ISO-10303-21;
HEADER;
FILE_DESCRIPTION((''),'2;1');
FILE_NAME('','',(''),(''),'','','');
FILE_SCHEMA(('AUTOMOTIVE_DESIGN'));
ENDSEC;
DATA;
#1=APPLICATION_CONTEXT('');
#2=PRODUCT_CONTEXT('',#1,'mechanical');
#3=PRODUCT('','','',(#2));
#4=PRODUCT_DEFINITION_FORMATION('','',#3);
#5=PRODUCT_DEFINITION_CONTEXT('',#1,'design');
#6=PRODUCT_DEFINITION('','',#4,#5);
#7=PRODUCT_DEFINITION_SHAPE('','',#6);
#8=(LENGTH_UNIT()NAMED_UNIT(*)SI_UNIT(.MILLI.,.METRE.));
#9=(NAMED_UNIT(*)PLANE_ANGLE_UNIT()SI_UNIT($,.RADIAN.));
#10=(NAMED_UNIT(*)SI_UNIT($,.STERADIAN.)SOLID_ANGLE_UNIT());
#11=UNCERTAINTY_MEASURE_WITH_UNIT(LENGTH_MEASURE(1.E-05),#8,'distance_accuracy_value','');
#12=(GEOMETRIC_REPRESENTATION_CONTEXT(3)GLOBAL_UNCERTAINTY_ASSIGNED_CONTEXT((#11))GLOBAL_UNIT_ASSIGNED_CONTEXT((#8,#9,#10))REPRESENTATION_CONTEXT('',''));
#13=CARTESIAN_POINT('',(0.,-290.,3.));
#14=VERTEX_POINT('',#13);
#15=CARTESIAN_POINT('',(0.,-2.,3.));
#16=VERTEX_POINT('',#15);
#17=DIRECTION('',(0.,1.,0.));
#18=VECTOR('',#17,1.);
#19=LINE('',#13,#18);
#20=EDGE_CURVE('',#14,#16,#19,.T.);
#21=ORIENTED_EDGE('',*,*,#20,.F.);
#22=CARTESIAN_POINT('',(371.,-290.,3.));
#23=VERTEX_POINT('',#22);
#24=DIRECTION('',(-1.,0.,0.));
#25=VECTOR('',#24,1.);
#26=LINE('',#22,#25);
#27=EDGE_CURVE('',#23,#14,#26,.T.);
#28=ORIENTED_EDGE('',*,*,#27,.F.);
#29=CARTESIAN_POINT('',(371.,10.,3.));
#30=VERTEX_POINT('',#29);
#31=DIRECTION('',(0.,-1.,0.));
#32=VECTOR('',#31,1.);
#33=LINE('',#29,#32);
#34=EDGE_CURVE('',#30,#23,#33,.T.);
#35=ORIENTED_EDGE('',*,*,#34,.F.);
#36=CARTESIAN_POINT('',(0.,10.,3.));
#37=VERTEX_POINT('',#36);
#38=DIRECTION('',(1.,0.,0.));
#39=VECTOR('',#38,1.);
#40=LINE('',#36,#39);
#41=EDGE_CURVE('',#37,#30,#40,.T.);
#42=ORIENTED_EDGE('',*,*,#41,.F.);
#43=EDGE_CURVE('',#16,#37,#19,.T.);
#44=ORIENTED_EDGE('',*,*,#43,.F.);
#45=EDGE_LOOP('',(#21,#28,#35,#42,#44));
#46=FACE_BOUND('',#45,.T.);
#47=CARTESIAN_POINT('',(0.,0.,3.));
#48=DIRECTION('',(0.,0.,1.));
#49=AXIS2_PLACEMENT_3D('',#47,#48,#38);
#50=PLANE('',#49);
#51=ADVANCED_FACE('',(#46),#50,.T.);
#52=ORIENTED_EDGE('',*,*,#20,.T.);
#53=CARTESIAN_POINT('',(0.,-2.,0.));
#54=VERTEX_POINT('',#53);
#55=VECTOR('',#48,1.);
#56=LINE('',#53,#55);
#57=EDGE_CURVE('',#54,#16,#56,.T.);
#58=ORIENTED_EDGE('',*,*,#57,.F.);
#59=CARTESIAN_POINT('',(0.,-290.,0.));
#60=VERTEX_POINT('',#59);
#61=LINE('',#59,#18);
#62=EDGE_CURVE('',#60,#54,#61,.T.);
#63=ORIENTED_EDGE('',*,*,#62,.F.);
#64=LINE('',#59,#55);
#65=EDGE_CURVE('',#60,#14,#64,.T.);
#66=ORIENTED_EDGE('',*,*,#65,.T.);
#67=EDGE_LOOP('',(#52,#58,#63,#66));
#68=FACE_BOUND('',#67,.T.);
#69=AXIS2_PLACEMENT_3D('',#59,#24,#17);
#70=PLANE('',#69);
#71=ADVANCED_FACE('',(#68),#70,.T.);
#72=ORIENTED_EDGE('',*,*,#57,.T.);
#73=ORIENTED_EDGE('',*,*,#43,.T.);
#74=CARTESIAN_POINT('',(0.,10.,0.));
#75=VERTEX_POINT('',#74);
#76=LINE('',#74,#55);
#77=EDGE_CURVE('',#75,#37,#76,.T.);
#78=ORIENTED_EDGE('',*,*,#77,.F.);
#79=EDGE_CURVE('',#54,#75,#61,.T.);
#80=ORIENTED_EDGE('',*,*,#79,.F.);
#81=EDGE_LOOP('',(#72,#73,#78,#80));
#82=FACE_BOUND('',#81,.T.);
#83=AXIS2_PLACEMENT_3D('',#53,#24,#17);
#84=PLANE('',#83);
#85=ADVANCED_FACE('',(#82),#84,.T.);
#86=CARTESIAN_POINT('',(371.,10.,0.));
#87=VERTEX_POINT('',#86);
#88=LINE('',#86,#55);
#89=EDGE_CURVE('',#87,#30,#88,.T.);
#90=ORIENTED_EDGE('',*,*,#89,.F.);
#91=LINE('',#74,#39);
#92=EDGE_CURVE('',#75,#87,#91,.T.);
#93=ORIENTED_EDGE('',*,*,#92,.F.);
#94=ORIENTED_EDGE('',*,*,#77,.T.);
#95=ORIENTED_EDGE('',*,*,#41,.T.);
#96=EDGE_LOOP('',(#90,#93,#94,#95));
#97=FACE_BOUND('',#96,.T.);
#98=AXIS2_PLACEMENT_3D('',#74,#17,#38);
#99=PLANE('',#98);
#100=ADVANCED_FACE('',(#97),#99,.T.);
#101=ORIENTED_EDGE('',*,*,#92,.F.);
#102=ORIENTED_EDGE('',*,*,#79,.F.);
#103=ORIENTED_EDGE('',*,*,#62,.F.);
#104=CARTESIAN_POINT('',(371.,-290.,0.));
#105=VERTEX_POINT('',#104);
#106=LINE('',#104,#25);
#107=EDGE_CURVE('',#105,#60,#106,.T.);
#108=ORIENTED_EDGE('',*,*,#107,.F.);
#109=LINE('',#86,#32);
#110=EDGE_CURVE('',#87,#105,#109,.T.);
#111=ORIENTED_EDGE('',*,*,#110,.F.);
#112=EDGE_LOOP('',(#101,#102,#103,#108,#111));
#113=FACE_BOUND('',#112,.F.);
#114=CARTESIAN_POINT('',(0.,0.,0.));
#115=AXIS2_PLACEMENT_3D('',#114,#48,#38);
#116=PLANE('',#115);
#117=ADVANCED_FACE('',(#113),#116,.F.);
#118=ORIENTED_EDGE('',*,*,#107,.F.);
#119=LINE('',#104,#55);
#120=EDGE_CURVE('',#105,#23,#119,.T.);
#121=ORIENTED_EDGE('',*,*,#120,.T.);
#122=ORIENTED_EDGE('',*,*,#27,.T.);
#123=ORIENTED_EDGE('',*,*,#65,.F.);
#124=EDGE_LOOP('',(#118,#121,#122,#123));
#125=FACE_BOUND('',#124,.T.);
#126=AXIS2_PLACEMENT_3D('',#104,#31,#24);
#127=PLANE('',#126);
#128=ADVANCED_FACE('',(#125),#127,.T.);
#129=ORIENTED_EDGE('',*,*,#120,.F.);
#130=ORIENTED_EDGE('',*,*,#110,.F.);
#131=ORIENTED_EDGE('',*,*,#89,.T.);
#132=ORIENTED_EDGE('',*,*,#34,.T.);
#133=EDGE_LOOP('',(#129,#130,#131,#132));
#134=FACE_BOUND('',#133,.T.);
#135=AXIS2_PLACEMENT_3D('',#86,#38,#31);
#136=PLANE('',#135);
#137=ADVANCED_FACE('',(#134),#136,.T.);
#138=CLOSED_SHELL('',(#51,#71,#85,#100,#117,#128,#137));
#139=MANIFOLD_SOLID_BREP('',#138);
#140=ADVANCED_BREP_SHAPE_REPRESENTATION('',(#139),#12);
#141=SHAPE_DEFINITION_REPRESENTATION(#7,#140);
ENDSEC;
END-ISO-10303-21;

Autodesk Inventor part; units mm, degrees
ref_plane "YZ Plane" through (0, 0, 0) normal (1, 0, 0) x (0, 1, 0)
ref_plane "XZ Plane" through (0, 0, 0) normal (0, 1, 0) x (-1, 0, 0)
ref_plane "XY Plane" through (0, 0, 0) normal (0, 0, 1) x (1, 0, 0)
sketch "Sketch1" plane through (0, 0, 0) normal (0, 0, 1) x (1, 0, 0)
  line L0 (371, -2) -> (175.4133, -2) construction
  line L1 (371, -2) -> (371, 10) construction
  line L2 (0, 10) -> (371, 10) construction
  line L3 (0, -2) -> (0, 10) construction
  line L4 (0, 10) -> (371, 10)
  line L5 (371, 10) -> (371, -290)
  line L6 (371, -290) -> (0, -290)
  line L7 (0, -290) -> (0, 10)
  line L8 (175.4133, 2) -> (175.4133, -2) projected
  line L9 (108.5867, -2) -> (0, -2) projected
  line L10 (108.5867, -2) -> (108.5867, 2) projected
  line L11 (108.5867, 2) -> (175.4133, 2) projected
extrude "Extrusion1" add sketch "Sketch1" along normal blind 3
properties part number "Bottom plate"
